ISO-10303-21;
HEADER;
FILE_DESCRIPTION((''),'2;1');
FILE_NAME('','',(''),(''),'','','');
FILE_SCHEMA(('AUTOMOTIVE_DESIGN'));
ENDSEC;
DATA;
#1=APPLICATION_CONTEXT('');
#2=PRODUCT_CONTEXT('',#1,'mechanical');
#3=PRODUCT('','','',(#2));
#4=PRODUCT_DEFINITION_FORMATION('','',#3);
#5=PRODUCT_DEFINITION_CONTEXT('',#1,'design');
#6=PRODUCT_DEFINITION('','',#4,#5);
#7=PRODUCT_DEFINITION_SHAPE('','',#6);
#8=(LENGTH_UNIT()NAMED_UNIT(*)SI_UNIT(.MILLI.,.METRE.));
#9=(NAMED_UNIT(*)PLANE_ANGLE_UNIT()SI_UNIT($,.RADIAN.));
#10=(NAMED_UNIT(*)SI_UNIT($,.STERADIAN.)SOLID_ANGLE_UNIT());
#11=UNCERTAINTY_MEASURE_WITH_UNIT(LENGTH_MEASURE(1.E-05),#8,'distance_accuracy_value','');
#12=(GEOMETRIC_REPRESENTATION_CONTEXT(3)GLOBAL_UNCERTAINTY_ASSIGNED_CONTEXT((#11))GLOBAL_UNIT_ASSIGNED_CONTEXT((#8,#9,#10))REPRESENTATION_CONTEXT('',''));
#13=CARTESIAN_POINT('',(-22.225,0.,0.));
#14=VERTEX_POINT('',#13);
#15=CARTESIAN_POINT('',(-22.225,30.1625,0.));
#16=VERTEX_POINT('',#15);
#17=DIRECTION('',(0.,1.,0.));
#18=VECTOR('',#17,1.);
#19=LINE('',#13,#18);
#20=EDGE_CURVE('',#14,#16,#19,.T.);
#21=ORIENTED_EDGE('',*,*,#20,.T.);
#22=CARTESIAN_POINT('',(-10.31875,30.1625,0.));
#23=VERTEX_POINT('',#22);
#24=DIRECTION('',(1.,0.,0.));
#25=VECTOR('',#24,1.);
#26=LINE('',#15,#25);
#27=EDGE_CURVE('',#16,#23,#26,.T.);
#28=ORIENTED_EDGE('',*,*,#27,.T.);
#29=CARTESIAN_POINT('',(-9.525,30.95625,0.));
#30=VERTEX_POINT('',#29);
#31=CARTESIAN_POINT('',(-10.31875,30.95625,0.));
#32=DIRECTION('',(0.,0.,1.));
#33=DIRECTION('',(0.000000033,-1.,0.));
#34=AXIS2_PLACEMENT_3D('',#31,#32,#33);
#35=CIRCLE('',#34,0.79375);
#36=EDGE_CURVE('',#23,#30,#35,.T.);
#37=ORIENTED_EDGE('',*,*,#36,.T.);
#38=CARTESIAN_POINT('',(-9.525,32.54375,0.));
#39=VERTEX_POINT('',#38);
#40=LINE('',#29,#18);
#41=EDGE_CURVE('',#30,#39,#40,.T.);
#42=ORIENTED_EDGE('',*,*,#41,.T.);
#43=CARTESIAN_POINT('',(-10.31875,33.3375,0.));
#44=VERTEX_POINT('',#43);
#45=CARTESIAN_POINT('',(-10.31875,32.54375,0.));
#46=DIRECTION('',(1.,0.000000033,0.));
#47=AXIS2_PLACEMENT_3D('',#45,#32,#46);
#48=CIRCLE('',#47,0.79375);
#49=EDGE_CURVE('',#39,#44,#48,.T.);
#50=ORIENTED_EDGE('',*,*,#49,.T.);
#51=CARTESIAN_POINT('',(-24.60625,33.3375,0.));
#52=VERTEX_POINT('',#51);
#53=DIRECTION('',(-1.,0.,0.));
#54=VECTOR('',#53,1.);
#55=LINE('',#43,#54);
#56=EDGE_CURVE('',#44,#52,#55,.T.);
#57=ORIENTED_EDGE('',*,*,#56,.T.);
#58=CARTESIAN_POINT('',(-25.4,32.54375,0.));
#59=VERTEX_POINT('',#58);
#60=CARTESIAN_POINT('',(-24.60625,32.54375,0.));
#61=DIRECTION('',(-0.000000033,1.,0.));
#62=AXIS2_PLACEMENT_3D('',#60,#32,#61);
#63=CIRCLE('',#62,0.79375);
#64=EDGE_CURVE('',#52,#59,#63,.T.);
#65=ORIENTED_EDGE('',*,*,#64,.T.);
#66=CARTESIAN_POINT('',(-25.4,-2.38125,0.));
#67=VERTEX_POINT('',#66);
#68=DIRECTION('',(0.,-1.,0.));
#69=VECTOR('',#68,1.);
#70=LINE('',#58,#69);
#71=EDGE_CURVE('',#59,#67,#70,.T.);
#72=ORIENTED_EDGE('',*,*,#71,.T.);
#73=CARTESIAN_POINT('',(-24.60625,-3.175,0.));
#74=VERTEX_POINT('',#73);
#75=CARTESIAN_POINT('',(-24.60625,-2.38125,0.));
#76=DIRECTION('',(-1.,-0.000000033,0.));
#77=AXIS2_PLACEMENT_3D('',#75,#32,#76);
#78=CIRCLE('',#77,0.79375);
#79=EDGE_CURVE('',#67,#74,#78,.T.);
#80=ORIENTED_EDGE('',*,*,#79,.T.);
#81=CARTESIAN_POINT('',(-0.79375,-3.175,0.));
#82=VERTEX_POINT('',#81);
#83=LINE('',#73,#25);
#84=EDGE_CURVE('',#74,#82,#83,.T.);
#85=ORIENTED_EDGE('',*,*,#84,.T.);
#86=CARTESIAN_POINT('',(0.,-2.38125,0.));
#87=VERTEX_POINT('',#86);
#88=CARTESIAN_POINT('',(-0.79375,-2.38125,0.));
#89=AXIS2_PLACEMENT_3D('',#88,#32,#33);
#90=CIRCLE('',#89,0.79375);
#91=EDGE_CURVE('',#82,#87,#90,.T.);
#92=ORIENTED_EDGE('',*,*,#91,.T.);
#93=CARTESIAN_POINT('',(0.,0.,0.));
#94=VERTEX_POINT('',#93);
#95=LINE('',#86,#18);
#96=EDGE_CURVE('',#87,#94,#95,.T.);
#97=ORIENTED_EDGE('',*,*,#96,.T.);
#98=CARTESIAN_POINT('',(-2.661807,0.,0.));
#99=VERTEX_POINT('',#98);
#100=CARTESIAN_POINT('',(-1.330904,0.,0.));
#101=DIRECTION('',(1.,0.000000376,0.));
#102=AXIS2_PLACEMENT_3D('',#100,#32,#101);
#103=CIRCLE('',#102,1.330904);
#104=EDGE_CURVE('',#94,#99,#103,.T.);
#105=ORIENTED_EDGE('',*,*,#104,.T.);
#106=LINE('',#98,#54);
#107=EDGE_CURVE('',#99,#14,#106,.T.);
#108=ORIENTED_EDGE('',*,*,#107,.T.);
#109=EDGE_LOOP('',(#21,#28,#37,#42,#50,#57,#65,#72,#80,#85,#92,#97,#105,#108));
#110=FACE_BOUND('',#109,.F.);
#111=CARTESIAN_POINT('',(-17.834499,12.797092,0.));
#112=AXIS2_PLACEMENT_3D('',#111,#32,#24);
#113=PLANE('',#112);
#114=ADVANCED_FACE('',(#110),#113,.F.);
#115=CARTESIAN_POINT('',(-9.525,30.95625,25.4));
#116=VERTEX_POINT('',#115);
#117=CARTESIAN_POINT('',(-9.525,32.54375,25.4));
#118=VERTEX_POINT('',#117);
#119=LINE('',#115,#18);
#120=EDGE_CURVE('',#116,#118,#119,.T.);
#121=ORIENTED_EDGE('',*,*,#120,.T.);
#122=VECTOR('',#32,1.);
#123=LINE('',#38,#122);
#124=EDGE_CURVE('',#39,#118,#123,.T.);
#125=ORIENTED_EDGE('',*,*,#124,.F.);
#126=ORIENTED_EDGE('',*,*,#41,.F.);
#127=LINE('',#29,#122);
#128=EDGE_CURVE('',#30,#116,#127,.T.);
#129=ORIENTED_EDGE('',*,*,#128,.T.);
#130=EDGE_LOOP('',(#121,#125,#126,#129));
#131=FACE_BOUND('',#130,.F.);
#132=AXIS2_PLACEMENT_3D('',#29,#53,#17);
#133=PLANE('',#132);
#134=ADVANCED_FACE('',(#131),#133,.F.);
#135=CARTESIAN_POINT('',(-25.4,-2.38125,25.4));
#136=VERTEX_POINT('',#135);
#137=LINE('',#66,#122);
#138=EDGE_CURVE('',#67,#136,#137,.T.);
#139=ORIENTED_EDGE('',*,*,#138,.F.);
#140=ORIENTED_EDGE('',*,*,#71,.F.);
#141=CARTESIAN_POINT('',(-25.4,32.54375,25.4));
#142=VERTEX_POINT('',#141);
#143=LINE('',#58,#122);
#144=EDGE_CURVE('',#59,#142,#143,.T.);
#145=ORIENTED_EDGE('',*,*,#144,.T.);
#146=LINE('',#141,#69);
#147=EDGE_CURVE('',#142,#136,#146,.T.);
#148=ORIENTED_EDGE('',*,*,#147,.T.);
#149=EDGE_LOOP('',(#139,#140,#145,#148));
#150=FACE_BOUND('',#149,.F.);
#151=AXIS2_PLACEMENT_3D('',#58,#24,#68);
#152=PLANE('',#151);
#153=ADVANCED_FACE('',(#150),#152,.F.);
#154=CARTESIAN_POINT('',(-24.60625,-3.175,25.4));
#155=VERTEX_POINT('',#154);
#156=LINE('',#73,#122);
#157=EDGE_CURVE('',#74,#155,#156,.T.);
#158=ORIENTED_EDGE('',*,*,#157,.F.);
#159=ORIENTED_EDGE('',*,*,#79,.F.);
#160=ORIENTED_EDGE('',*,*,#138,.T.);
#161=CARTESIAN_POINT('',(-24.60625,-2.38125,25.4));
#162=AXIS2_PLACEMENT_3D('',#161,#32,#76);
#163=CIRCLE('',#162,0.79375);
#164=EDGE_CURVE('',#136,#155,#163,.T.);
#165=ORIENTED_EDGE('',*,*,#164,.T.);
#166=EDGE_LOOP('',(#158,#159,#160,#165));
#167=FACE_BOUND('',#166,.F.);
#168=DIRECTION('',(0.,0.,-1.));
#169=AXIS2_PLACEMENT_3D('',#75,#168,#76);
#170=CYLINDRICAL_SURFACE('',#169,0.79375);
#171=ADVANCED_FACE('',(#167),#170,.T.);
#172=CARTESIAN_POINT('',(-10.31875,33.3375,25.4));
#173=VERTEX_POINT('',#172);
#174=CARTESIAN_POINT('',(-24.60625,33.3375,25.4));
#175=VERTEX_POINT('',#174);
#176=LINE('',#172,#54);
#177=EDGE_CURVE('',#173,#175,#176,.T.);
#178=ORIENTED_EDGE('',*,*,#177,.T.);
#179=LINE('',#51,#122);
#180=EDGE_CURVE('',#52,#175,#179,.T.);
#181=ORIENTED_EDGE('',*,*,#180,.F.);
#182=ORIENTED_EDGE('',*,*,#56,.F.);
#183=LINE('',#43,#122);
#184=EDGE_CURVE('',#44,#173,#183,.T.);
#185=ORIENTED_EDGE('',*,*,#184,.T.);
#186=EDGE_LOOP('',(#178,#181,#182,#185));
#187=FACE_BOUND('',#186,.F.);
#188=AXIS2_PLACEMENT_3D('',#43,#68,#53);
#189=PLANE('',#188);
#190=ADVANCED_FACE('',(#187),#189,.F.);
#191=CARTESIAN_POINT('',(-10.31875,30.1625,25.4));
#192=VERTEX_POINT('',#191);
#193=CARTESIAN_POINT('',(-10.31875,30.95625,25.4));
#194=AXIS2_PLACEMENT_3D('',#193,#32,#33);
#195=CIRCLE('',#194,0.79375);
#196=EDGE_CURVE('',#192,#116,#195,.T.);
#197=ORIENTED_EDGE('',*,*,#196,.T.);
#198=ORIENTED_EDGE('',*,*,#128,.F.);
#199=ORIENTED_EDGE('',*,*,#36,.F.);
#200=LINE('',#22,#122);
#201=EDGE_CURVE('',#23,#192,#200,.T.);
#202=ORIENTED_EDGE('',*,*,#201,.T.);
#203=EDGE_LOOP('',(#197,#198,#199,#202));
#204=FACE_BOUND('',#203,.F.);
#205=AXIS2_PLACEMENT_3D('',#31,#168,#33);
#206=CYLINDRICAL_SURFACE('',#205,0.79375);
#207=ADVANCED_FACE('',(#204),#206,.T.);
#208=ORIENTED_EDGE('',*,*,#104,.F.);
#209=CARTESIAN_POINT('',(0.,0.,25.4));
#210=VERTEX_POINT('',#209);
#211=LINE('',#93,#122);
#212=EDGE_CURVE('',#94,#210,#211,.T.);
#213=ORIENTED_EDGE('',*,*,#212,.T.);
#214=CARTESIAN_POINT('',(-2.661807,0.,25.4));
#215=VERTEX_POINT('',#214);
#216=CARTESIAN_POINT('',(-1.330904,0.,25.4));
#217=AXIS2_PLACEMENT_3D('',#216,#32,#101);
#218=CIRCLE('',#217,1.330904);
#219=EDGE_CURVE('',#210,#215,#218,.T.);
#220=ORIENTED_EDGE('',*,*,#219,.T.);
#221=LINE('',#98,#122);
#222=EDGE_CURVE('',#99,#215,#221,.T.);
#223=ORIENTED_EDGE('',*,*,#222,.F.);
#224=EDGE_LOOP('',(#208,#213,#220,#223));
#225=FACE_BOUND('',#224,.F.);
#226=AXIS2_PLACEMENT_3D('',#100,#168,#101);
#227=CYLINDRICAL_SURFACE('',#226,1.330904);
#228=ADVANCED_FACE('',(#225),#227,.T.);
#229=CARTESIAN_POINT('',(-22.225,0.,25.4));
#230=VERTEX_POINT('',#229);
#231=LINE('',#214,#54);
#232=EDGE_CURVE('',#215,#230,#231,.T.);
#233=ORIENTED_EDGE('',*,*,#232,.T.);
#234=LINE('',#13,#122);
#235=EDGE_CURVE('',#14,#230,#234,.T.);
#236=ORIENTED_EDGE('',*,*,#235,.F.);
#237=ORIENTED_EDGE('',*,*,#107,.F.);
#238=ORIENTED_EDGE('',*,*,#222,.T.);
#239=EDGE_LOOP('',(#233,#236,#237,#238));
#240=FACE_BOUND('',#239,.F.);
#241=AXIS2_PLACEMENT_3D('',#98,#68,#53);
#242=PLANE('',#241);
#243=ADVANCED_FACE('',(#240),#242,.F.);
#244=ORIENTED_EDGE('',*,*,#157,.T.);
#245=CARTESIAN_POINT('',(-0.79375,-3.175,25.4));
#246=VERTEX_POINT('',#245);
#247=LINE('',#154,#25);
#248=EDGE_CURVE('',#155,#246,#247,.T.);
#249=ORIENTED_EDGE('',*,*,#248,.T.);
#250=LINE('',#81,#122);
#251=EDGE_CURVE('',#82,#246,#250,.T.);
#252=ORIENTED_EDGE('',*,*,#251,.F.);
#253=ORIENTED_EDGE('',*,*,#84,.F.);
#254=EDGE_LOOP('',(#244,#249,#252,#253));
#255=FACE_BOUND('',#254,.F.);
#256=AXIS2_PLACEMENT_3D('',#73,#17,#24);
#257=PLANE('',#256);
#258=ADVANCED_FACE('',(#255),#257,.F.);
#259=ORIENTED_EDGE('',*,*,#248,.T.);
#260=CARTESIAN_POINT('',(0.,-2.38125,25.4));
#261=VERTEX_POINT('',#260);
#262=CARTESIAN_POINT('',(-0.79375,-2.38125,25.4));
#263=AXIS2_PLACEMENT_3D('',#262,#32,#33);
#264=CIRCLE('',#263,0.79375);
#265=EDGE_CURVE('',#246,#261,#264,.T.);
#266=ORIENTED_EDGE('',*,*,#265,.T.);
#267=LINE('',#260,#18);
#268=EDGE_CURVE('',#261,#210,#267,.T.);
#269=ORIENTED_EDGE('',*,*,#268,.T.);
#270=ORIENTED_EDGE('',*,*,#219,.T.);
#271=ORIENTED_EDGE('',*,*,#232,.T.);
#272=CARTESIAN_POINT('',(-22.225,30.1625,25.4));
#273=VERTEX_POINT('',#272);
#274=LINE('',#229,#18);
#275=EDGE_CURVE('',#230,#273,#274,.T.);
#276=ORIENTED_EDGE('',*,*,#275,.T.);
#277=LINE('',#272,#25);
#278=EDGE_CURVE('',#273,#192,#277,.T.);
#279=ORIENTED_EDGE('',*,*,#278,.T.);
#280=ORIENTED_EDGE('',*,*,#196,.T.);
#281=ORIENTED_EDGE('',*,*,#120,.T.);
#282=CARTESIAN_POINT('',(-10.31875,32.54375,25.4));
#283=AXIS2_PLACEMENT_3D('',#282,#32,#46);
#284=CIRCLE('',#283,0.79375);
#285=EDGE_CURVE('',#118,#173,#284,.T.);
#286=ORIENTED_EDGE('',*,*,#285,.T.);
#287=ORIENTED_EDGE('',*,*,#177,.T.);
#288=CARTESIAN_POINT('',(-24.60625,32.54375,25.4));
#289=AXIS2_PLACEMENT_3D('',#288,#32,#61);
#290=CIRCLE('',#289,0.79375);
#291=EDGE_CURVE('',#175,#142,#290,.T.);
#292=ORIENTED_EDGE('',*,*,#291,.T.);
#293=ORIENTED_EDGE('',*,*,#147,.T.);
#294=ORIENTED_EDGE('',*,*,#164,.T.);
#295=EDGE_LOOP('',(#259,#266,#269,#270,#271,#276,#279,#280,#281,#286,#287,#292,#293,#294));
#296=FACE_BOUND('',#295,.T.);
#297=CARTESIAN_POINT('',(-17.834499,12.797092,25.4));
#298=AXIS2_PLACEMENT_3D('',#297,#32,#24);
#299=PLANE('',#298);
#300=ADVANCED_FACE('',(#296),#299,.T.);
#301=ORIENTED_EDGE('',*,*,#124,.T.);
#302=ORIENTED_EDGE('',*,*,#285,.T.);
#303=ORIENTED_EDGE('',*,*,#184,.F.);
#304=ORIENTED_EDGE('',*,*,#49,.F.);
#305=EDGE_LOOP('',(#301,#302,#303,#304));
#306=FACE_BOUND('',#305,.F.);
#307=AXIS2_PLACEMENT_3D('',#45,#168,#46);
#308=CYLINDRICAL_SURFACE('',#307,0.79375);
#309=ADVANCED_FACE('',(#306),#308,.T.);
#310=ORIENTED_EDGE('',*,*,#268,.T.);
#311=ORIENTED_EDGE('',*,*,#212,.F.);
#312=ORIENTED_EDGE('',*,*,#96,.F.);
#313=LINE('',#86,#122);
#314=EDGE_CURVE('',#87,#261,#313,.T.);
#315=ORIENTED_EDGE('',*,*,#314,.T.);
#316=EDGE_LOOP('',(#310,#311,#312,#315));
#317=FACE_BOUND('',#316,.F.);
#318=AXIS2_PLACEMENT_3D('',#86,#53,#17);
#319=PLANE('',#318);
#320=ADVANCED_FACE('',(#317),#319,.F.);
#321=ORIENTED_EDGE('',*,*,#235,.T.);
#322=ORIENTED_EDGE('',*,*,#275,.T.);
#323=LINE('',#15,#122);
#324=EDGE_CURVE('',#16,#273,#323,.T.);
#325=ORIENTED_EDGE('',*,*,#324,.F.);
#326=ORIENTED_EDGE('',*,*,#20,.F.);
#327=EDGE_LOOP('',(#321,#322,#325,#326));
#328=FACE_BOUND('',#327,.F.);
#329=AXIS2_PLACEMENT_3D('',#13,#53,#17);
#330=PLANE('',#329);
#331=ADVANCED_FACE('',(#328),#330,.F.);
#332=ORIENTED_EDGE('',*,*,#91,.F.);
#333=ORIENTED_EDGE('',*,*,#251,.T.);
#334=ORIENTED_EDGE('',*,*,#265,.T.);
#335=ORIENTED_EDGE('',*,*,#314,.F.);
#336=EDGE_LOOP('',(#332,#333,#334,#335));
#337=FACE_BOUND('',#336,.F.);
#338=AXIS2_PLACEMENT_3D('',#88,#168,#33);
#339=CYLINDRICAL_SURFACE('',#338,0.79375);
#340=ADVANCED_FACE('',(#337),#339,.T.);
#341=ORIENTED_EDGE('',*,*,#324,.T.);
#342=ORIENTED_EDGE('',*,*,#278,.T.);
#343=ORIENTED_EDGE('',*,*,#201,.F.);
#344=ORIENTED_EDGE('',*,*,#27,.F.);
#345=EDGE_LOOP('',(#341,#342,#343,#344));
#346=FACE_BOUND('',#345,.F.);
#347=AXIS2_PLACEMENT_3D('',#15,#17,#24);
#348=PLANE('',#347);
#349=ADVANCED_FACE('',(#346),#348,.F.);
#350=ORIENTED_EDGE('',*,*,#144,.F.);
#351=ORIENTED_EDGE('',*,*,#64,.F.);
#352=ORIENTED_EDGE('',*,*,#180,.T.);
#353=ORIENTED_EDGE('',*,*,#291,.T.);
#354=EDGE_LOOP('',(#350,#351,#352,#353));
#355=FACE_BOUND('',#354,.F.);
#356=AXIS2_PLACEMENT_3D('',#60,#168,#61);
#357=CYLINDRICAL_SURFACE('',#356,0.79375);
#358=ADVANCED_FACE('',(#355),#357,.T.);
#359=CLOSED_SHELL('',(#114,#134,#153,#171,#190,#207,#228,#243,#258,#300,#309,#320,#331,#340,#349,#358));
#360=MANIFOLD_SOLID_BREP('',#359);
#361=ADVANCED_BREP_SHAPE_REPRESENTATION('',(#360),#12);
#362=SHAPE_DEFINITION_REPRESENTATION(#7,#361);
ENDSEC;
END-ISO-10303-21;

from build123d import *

# Parameters (mm, degrees)
F1_DEPTH = 25.4


with BuildPart() as f1:
    # F0 (on Top) → F1 (new body)
    with BuildSketch(Plane.XY):
        with BuildLine():
            Line((-2.661807, 0), (-22.225, 0))
            Line((-22.225, 0), (-22.225, 30.1625))
            Line((-22.225, 30.1625), (-10.31875, 30.1625))
            ThreePointArc((-10.31875, 30.1625), (-9.757484, 30.394984), (-9.525, 30.95625))
            Line((-9.525, 30.95625), (-9.525, 32.54375))
            ThreePointArc((-9.525, 32.54375), (-9.757484, 33.105016), (-10.31875, 33.3375))
            Line((-10.31875, 33.3375), (-24.60625, 33.3375))
            ThreePointArc((-24.60625, 33.3375), (-25.167516, 33.105016), (-25.4, 32.54375))
            Line((-25.4, 32.54375), (-25.4, -2.38125))
            ThreePointArc((-25.4, -2.38125), (-25.167516, -2.942516), (-24.60625, -3.175))
            Line((-24.60625, -3.175), (-0.79375, -3.175))
            ThreePointArc((-0.79375, -3.175), (-0.232484, -2.942516), (0, -2.38125))
            Line((0, -2.38125), (0, 0))
            ThreePointArc((0, 0), (-1.330903, 1.330903), (-2.661807, 0))
        make_face()
    extrude(amount=F1_DEPTH)


solid = f1.part
